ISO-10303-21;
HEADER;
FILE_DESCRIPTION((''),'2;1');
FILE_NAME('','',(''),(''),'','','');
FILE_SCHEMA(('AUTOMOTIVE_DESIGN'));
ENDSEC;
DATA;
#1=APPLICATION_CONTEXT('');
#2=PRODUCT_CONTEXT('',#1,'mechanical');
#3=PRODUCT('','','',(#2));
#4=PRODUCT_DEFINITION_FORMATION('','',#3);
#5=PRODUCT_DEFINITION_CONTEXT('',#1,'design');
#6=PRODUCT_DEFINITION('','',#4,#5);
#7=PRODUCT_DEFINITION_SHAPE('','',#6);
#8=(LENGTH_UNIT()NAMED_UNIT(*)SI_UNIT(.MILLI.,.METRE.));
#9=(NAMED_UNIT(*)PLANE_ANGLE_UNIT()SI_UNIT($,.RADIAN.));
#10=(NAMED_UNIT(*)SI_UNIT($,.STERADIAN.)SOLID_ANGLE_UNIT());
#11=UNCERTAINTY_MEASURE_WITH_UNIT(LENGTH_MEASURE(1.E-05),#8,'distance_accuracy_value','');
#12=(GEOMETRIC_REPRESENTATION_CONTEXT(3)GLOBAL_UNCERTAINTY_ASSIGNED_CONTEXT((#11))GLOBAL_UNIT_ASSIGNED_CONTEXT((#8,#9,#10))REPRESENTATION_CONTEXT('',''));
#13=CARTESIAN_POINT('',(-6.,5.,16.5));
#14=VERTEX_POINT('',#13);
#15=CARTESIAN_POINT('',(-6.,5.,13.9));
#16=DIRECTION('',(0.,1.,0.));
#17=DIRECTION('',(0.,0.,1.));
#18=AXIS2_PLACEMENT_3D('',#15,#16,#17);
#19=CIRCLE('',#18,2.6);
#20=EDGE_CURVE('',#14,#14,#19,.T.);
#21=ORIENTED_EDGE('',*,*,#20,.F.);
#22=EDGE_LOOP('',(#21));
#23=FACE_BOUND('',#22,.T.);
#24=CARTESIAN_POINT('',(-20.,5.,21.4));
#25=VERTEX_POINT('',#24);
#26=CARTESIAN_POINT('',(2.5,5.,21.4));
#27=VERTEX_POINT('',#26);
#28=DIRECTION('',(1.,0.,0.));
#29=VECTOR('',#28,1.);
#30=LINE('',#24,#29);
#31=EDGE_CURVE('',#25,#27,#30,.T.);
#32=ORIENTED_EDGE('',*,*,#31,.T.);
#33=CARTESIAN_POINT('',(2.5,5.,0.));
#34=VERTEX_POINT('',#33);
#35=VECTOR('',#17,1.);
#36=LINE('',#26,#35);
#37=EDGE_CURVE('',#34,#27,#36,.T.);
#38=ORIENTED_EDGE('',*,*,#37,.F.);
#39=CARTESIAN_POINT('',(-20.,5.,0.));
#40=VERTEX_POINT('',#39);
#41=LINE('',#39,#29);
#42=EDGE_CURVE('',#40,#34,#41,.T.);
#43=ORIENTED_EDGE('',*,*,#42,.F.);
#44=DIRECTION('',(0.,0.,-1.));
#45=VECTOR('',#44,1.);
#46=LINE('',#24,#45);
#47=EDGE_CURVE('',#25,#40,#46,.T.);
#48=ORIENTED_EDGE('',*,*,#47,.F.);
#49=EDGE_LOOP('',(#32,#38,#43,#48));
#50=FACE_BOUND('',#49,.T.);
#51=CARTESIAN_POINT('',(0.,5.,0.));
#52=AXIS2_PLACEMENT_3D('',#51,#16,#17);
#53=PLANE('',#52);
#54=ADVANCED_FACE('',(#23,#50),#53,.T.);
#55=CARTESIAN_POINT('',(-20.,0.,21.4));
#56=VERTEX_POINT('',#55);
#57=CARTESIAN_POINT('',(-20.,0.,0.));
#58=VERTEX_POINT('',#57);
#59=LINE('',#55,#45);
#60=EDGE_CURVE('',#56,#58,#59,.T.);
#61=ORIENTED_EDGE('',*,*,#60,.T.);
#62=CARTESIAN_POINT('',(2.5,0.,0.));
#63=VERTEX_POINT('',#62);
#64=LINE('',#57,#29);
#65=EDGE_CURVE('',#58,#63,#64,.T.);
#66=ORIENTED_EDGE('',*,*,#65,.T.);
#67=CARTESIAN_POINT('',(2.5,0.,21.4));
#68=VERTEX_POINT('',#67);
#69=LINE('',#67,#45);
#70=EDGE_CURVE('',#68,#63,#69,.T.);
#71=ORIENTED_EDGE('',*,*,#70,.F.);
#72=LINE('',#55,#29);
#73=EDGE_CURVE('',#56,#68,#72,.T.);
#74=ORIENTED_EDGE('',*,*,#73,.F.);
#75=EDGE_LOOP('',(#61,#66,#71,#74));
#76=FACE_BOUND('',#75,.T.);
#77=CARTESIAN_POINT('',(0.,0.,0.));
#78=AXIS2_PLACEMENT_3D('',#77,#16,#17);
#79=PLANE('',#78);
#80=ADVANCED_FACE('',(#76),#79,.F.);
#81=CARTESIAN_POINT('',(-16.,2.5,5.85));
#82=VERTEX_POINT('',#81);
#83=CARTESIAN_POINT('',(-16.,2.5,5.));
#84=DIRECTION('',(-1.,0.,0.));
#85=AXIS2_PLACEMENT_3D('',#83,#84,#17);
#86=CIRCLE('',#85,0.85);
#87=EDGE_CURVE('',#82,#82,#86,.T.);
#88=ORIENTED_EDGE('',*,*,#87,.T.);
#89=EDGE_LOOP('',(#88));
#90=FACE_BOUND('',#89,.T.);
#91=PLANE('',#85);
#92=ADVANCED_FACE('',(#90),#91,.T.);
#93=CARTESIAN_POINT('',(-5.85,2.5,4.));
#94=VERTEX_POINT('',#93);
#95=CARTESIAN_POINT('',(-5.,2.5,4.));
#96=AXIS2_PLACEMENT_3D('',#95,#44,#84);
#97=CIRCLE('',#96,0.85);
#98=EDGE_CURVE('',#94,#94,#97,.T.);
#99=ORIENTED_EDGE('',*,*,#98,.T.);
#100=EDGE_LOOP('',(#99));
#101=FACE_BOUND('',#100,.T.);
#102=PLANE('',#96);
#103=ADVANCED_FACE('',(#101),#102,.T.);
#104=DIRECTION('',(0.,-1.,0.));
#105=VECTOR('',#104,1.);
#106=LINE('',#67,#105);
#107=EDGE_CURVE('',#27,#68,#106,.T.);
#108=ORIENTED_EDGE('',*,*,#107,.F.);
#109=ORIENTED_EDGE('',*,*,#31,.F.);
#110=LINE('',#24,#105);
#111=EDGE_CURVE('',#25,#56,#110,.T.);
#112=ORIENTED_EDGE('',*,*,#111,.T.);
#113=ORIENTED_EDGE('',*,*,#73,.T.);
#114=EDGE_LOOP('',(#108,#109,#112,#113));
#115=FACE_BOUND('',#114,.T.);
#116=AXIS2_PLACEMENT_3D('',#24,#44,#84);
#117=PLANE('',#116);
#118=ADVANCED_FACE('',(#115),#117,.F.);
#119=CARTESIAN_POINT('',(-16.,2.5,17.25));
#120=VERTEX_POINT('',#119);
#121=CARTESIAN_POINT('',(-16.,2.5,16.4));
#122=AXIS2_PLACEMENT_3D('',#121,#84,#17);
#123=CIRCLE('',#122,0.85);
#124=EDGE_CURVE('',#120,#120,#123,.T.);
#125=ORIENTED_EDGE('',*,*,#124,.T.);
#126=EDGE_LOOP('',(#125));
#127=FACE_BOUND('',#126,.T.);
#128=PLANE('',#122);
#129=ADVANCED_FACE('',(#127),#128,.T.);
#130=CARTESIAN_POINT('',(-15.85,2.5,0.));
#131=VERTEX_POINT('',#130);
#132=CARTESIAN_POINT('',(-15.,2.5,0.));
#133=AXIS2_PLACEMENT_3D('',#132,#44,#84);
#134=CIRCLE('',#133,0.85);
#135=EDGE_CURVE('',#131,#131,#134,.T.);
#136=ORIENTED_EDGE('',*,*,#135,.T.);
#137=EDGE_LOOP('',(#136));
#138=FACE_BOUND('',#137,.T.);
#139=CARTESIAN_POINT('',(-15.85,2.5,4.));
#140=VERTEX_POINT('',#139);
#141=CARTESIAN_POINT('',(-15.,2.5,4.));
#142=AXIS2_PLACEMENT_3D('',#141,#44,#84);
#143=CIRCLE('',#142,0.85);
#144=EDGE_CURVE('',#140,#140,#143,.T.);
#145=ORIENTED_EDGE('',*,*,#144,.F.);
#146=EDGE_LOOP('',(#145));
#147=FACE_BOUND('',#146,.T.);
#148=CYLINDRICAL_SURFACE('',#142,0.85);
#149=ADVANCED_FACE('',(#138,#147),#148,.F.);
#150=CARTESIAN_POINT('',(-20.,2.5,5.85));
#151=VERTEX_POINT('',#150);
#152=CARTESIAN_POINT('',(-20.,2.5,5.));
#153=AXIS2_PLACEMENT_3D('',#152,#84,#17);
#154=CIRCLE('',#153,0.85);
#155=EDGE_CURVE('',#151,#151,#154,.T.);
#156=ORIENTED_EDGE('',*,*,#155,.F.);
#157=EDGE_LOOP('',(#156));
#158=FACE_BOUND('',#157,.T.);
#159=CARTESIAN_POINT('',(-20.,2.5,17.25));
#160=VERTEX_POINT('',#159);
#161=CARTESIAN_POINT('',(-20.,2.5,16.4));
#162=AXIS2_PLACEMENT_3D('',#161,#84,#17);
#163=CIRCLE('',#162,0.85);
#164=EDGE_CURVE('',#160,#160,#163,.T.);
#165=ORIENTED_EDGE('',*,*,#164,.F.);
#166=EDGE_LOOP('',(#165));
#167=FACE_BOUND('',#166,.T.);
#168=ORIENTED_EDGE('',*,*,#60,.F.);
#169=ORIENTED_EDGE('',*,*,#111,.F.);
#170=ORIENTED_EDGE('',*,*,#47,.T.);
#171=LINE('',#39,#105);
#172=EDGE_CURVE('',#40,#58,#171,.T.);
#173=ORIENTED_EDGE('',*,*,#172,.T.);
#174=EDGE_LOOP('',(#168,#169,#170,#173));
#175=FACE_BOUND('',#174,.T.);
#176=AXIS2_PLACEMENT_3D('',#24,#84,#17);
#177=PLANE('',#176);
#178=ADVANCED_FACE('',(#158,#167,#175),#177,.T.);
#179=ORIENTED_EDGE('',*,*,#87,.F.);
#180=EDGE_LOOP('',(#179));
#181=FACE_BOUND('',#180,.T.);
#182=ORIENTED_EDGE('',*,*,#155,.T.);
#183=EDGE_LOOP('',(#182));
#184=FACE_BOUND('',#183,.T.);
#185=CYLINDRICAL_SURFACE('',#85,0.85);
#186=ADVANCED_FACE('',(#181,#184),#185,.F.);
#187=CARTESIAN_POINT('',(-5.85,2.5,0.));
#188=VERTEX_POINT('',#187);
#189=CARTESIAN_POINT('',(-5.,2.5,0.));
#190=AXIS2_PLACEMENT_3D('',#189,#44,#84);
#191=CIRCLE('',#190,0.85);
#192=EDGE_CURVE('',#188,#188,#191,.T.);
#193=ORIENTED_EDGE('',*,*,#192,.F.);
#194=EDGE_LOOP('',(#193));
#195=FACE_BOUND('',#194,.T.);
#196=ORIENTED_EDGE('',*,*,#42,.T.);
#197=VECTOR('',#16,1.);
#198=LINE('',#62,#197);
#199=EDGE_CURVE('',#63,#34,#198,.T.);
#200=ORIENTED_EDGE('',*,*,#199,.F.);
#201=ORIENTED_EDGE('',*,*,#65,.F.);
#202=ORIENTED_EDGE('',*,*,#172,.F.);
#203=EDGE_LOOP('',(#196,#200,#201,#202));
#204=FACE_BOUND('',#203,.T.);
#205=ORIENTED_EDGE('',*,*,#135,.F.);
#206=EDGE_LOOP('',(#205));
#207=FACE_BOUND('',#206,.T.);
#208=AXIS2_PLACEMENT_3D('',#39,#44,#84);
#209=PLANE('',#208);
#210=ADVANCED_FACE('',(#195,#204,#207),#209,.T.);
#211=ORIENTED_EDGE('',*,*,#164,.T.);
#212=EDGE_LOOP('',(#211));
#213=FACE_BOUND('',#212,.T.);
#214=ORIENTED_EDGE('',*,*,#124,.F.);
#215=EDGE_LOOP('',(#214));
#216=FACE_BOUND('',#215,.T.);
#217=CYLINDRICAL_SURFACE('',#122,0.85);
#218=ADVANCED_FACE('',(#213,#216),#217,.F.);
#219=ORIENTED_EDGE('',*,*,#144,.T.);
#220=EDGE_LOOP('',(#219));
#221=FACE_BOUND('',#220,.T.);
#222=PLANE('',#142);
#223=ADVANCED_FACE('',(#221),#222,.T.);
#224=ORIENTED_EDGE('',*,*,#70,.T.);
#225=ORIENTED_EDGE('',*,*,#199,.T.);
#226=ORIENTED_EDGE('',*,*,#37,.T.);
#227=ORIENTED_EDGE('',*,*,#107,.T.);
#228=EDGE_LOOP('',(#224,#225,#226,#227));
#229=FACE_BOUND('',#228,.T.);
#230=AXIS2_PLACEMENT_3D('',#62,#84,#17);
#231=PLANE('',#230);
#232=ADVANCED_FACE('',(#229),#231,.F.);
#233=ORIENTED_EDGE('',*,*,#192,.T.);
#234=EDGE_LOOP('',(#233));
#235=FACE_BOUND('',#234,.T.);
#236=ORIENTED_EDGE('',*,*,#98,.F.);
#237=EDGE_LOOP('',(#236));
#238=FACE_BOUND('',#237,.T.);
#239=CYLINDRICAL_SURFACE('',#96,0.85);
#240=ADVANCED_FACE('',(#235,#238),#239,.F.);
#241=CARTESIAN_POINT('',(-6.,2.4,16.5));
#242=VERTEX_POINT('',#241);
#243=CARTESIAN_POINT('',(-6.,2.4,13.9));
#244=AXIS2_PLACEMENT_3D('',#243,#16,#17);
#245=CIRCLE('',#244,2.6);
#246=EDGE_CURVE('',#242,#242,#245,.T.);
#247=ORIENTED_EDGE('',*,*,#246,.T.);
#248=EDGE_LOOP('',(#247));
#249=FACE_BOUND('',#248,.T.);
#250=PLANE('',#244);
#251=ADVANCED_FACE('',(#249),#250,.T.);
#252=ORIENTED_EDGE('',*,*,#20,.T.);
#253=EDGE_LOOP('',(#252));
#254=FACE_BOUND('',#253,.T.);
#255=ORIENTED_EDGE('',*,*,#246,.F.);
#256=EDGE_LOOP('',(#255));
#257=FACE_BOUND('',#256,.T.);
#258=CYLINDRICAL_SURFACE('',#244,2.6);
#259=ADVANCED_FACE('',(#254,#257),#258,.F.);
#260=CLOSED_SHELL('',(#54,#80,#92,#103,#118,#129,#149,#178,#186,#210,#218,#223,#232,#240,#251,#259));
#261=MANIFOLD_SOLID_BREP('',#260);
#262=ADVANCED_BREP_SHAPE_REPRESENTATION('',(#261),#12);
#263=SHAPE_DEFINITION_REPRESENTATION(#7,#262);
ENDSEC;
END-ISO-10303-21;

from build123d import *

# Parameters (mm, degrees)
SKETCH_1_W          = 20
SKETCH_1_H          = 21.4
EXTRUDE_1_DEPTH     = 5
SKETCH_4_R          = 0.85
CUT_EXTRUDE_1_DEPTH = 4
SKETCH_5_R          = 0.85
CUT_EXTRUDE_2_DEPTH = 4
SKETCH_6_W          = 21.4
SKETCH_6_H          = 5
EXTRUDE_2_DEPTH     = 2.5
SKETCH_7_R          = 2.6
CUT_EXTRUDE_3_DEPTH = 2.6


with BuildPart() as part:
    # 草图1 → 凸台-拉伸1 (new body)
    with BuildSketch(Plane(origin=(0, 0, 0), x_dir=(1, 0, 0), z_dir=(0, 1, 0))):
        with Locations((-10, -10.7)):
            Rectangle(SKETCH_1_W, SKETCH_1_H)
    extrude(amount=EXTRUDE_1_DEPTH)

    # 草图4 → 切除-拉伸1 (cut)
    with BuildSketch(Plane.ZY.offset(20)):
        with Locations((16.4, 2.5)):
            Circle(SKETCH_4_R)
        with Locations((5, 2.5)):
            Circle(SKETCH_4_R)
    extrude(amount=-CUT_EXTRUDE_1_DEPTH, mode=Mode.SUBTRACT)

    # 草图5 → 切除-拉伸2 (cut)
    with BuildSketch(Plane(origin=(0, 0, 0), x_dir=(-1, 0, 0), z_dir=(0, 0, -1))):
        with Locations((15, 2.5)):
            Circle(SKETCH_5_R)
        with Locations((5, 2.5)):
            Circle(SKETCH_5_R)
    extrude(amount=-CUT_EXTRUDE_2_DEPTH, mode=Mode.SUBTRACT)

    # 草图6 → 凸台-拉伸2 (add)
    with BuildSketch(Plane(origin=(0, 0, 0), x_dir=(0, 0, -1), z_dir=(1, 0, 0))):
        with Locations((-10.7, 2.5)):
            Rectangle(SKETCH_6_W, SKETCH_6_H)
    extrude(amount=EXTRUDE_2_DEPTH)

    # 草图7 → 切除-拉伸3 (cut)
    with BuildSketch(Plane(origin=(0, 5, 0), x_dir=(1, 0, 0), z_dir=(0, 1, 0))):
        with Locations(Location((-6, -13.9, 0), (0, 0, 270))):
            Circle(SKETCH_7_R)
    extrude(amount=-CUT_EXTRUDE_3_DEPTH, mode=Mode.SUBTRACT)


solid = part.part
